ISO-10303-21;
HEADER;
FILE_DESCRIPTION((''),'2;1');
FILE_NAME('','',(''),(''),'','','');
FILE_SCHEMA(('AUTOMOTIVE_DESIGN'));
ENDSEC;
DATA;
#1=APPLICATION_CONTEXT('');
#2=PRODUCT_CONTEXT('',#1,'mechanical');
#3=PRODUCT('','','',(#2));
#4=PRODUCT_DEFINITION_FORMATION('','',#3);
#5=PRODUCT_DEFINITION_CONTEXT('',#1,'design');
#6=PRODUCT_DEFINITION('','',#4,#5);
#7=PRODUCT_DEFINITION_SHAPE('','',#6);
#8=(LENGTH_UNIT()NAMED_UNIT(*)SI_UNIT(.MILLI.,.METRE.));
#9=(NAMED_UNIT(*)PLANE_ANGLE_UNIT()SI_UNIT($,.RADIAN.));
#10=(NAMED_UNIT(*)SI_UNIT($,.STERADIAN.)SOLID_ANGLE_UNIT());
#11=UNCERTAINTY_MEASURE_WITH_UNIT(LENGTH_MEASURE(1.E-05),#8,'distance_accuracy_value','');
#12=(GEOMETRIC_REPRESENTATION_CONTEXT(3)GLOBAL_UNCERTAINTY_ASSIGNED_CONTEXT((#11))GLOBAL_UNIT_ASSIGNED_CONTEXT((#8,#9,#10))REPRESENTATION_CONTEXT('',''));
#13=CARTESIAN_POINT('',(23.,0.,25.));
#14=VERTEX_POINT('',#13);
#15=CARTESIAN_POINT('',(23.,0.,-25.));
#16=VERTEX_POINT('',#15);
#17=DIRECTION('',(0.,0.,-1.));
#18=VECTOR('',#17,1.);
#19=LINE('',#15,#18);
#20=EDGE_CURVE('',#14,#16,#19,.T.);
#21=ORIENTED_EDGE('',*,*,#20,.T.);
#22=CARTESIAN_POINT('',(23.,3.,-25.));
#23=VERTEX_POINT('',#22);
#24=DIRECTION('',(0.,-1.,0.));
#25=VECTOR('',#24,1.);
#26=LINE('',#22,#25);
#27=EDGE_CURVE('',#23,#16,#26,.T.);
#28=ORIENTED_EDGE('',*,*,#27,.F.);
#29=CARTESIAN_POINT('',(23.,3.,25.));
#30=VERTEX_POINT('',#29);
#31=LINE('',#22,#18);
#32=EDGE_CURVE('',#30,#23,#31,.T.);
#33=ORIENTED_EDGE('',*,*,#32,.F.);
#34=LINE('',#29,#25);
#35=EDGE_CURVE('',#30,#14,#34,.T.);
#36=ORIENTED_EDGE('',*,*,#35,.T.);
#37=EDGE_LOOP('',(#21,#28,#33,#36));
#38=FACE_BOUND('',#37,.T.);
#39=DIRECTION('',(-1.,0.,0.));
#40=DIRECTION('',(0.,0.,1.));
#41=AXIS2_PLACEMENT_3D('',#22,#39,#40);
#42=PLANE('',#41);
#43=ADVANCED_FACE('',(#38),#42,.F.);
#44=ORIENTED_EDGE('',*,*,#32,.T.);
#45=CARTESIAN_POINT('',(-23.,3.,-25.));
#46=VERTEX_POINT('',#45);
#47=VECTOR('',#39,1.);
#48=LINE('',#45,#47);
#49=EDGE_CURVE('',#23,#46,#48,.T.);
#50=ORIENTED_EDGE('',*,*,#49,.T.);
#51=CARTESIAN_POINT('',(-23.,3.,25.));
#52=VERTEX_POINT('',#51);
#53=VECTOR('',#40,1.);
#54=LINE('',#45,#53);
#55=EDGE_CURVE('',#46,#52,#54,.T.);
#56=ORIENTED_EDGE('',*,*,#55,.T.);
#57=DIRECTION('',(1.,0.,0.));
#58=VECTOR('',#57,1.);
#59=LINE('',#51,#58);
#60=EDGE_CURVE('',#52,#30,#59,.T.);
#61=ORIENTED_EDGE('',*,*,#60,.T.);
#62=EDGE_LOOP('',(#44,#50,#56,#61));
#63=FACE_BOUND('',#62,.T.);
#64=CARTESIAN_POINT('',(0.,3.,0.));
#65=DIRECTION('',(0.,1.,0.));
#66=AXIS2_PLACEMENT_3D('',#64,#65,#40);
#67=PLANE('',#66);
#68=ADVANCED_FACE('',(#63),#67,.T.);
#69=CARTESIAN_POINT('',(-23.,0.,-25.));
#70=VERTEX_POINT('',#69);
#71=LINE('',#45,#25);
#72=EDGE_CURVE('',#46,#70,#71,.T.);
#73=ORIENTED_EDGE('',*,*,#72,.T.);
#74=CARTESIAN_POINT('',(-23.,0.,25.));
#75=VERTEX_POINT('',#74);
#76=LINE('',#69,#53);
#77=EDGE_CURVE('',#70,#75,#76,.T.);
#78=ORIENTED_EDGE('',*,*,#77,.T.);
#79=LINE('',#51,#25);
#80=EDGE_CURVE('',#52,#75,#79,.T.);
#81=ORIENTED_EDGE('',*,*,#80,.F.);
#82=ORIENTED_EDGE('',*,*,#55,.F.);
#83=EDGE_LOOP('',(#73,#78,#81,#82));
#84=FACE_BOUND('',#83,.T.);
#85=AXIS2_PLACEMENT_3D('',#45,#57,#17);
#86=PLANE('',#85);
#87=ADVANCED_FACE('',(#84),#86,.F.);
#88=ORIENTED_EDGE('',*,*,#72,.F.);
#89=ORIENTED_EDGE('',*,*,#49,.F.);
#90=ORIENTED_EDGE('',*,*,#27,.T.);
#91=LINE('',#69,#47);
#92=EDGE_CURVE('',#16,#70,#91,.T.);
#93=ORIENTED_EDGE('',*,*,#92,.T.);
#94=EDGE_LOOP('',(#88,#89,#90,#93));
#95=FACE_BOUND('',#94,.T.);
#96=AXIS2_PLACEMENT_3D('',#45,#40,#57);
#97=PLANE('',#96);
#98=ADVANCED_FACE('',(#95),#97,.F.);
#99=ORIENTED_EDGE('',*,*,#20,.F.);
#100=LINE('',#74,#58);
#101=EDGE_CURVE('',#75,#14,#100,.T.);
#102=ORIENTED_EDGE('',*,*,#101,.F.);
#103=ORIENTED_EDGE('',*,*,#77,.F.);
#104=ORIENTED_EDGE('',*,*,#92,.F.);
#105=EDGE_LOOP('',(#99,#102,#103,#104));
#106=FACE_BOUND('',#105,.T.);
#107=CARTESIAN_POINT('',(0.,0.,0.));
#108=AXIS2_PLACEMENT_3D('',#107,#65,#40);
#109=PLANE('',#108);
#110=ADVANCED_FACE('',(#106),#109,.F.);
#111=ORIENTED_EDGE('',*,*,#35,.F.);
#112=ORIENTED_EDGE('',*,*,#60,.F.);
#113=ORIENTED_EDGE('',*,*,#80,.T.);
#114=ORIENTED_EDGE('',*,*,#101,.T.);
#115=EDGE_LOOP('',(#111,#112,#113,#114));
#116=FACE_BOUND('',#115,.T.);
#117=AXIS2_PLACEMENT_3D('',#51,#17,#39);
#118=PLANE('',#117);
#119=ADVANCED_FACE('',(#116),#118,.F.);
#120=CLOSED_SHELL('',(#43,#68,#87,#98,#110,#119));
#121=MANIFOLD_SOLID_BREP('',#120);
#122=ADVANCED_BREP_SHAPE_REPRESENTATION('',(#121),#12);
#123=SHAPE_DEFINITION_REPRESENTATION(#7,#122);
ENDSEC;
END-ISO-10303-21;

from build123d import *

# Parameters (mm, degrees)
SKETCH1_W           = 46
SKETCH1_H           = 50
BOSS_EXTRUDE1_DEPTH = 3


with BuildPart() as part:
    # Sketch1 → Boss-Extrude1 (new body)
    with BuildSketch(Plane(origin=(0, 0, 0), x_dir=(1, 0, 0), z_dir=(0, 1, 0))):
        Rectangle(SKETCH1_W, SKETCH1_H)
    extrude(amount=BOSS_EXTRUDE1_DEPTH)


solid = part.part
